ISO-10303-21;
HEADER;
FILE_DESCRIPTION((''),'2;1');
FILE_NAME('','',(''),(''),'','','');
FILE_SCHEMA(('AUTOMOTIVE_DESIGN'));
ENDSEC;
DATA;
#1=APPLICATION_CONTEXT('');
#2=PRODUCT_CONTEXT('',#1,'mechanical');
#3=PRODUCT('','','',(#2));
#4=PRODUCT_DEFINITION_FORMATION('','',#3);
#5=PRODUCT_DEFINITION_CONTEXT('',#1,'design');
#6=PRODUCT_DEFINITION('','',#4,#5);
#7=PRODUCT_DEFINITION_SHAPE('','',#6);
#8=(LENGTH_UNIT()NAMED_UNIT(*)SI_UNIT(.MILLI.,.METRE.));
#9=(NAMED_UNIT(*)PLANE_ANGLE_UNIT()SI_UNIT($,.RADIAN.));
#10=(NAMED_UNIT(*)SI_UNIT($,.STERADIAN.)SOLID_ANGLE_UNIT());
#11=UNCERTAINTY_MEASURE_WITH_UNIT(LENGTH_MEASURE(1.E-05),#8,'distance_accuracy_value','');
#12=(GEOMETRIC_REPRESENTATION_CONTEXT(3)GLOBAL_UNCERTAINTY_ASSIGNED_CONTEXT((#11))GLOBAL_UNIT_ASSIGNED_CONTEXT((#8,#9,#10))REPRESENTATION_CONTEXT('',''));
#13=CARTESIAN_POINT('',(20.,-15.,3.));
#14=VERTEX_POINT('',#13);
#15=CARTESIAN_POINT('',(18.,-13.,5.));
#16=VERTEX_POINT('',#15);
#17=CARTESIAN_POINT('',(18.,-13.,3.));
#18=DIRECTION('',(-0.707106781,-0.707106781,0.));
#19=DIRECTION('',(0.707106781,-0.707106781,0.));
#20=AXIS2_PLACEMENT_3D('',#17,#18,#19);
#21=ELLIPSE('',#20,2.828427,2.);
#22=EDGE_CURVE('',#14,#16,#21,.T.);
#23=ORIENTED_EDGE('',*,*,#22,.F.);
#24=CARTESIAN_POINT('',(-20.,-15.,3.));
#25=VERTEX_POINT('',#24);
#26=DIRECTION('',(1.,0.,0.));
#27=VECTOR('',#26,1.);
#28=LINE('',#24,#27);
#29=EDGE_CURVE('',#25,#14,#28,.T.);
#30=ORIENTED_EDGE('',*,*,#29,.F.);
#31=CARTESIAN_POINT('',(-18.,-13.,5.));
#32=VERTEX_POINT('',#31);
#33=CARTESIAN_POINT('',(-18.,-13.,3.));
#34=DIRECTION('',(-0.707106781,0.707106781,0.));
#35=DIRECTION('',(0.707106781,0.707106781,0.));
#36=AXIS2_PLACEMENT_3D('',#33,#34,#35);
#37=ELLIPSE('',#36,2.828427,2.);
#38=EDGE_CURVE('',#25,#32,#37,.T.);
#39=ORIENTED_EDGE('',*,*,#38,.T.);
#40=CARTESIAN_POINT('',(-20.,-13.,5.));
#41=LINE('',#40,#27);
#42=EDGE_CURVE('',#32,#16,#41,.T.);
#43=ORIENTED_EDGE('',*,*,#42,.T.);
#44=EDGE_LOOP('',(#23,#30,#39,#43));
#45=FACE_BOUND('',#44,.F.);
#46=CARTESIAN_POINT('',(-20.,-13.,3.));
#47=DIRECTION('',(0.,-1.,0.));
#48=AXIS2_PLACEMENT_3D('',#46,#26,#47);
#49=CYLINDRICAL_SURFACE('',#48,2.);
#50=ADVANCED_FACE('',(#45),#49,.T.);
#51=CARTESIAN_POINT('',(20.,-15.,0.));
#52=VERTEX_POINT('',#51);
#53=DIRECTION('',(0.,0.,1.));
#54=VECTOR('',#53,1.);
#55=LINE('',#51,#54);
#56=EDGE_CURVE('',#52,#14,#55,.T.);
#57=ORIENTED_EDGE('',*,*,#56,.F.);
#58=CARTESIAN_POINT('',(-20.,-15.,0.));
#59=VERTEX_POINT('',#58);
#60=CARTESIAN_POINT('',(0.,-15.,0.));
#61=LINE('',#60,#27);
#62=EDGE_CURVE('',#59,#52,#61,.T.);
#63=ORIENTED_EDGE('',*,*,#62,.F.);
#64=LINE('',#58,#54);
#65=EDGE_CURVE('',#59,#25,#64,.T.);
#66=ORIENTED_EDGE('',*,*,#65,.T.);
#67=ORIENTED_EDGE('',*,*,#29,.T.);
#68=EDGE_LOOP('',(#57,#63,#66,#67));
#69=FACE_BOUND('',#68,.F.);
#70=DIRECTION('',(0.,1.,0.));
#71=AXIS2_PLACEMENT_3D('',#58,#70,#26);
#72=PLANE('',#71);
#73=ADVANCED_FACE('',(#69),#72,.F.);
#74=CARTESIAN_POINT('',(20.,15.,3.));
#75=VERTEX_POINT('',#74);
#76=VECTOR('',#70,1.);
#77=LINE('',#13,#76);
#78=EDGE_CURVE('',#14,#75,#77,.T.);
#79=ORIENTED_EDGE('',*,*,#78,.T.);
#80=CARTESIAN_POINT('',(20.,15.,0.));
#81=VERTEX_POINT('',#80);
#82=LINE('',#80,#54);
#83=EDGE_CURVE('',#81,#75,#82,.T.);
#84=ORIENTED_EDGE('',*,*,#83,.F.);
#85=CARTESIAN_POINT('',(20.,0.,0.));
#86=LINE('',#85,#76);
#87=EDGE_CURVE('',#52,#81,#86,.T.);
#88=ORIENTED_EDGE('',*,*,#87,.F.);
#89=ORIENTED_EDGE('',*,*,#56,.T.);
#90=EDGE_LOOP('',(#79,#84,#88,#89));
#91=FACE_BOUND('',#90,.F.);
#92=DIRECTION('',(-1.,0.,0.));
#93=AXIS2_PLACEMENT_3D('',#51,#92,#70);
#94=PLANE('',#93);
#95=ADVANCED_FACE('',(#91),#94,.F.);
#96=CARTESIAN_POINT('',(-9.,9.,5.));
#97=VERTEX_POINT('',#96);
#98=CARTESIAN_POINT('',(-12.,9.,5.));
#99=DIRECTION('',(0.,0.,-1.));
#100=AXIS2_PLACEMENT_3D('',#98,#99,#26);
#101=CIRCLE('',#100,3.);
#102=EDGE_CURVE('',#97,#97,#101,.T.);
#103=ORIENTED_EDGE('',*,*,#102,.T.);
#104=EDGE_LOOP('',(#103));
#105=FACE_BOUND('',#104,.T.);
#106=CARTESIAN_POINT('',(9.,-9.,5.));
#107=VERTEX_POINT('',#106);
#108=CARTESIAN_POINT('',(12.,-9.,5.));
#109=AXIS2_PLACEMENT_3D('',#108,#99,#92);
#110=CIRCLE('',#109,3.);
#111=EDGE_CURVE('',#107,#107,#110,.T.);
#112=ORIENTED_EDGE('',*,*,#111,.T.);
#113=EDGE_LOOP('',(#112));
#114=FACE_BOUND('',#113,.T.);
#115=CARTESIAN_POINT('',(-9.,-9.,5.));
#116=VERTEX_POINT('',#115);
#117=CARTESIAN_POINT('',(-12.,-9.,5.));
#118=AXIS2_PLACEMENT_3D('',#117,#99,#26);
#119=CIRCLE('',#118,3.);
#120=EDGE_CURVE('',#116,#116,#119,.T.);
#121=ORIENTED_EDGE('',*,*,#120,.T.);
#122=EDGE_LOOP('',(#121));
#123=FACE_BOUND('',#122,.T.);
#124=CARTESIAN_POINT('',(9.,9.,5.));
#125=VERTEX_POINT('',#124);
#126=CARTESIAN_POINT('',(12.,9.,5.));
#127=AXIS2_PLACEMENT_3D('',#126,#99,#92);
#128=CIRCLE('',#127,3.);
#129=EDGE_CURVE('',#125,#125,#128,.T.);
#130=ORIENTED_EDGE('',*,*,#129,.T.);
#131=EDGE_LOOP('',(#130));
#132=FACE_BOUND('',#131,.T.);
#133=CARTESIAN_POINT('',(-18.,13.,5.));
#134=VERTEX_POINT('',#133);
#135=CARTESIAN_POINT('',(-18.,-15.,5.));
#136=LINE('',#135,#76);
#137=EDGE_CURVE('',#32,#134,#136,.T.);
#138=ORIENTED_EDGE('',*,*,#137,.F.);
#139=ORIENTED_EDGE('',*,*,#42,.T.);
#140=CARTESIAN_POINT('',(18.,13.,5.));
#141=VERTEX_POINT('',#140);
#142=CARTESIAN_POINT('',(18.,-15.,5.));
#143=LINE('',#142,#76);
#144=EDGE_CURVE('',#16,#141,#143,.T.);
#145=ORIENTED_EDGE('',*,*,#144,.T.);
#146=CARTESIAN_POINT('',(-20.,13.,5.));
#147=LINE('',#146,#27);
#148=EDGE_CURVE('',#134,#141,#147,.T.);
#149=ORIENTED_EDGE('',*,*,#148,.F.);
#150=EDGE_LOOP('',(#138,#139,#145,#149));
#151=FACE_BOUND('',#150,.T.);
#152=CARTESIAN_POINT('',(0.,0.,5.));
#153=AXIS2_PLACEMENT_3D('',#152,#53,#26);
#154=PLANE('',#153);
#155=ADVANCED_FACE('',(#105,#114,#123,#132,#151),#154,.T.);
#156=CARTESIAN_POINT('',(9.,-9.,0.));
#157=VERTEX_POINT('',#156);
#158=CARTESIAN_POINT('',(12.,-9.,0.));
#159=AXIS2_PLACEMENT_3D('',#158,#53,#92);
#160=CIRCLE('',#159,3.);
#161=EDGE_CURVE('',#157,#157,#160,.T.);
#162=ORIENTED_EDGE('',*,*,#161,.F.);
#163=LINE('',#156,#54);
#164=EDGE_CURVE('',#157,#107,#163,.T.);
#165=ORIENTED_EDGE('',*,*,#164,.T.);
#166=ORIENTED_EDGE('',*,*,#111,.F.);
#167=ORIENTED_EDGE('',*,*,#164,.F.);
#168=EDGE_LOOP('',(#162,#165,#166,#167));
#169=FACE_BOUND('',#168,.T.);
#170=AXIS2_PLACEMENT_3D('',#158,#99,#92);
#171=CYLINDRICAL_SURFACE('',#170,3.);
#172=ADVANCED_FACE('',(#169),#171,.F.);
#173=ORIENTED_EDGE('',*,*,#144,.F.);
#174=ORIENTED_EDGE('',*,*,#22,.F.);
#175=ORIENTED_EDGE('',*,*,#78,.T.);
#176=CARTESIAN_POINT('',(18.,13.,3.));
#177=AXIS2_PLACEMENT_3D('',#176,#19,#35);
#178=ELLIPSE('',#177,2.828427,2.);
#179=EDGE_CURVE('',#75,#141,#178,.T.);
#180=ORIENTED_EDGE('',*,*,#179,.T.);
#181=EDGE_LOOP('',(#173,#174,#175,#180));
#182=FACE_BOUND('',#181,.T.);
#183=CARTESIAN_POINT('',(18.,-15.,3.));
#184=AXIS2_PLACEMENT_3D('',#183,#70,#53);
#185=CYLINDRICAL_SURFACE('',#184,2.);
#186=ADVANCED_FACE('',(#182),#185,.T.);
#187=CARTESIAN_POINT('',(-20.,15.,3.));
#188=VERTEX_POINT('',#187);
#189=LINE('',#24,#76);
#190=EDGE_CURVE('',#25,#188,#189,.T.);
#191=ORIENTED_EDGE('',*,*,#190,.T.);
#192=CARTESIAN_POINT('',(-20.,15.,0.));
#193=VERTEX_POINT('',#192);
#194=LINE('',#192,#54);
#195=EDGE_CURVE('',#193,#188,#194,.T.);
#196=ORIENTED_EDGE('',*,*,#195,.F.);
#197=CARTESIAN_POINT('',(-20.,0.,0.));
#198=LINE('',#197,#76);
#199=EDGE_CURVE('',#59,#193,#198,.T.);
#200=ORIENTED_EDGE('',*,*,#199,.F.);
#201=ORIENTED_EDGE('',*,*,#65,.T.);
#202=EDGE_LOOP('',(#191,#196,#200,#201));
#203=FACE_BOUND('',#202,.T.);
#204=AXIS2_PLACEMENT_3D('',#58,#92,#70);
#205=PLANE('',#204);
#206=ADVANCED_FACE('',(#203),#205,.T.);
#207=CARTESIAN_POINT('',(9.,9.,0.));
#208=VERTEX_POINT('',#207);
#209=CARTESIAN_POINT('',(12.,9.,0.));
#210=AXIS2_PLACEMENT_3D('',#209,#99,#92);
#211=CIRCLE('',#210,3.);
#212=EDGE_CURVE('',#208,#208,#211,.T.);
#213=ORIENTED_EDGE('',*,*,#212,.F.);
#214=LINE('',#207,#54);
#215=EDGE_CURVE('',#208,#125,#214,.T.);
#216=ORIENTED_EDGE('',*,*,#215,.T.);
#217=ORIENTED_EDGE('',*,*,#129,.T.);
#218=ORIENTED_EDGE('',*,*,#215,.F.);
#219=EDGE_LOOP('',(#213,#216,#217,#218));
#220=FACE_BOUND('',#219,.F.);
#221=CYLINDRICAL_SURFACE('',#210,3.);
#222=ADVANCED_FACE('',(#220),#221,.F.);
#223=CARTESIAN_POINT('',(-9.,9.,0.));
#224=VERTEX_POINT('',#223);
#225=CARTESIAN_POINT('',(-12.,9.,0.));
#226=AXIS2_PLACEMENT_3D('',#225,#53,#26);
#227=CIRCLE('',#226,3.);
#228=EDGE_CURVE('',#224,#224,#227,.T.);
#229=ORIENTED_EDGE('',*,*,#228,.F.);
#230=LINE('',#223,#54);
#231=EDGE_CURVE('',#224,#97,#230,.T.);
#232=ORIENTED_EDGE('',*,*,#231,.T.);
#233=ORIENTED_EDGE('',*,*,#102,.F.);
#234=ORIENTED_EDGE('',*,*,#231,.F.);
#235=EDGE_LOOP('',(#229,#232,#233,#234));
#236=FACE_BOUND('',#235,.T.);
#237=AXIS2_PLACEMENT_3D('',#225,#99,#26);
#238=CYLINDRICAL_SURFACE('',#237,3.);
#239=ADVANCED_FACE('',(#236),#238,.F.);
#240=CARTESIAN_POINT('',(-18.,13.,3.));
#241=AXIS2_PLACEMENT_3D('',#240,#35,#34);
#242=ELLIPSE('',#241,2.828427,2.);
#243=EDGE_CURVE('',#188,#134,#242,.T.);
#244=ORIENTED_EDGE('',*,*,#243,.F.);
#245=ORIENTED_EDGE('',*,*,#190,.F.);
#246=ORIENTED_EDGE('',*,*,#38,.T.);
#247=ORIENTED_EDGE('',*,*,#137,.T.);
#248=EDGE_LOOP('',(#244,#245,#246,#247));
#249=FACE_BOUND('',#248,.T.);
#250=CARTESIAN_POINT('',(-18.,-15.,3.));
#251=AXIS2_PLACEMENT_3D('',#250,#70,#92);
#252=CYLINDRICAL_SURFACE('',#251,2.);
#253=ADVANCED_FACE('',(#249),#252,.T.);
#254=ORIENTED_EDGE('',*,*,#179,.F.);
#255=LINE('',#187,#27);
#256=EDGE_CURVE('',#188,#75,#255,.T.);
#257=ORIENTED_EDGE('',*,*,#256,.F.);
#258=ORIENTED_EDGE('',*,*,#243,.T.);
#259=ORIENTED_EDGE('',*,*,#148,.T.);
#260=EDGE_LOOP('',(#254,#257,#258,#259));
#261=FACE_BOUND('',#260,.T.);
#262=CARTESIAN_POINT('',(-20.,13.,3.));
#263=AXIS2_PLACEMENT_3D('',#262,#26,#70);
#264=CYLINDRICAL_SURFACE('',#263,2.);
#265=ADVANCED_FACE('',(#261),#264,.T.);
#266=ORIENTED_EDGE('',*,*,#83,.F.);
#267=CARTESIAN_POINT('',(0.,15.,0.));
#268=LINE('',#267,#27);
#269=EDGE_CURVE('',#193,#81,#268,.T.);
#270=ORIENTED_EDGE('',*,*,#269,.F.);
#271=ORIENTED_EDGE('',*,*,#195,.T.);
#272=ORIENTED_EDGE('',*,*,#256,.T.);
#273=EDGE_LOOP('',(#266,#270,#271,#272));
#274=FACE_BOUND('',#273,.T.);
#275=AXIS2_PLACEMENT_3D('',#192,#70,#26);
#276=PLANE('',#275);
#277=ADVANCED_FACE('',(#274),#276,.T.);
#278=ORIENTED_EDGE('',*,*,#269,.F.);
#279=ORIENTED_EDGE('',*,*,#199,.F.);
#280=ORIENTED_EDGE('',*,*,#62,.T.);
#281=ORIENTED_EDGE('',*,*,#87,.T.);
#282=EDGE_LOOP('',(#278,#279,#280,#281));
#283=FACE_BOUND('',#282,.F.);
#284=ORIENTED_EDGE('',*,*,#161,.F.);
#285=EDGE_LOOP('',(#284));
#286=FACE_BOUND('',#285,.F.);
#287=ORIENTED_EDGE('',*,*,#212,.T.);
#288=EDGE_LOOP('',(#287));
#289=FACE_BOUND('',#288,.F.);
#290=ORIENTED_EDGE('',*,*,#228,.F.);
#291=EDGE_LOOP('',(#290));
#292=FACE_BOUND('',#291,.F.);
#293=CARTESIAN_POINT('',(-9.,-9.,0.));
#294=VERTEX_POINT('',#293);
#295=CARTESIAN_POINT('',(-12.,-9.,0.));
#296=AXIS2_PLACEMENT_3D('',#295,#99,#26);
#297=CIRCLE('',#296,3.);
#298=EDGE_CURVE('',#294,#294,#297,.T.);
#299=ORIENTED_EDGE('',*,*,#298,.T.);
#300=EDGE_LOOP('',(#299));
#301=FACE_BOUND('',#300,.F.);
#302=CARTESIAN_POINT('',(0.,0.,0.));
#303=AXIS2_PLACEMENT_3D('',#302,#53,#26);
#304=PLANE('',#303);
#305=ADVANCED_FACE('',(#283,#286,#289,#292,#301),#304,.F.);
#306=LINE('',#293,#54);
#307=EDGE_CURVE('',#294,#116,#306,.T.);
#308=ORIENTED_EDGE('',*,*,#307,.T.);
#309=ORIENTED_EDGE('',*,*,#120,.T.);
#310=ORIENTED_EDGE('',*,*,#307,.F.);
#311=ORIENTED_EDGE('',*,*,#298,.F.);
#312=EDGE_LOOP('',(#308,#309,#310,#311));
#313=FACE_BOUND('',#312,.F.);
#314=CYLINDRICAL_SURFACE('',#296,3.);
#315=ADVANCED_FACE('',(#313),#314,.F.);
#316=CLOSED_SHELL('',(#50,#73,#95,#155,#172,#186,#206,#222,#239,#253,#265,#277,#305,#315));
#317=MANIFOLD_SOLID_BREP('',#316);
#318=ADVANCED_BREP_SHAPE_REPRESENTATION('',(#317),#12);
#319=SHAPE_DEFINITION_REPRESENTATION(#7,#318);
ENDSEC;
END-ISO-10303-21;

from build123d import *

# Parameters (mm, degrees)
F0_R     = 3
F1_DEPTH = 25
F4_W     = 40
F4_H     = 30
F5_DEPTH = 5
F7_R     = 2


with BuildPart() as f1:
    # F0 (on Top) → F1 (new body)
    with BuildSketch(Plane.XY):
        with Locations((-12, 9)):
            Circle(F0_R)
    extrude(amount=F1_DEPTH)


with BuildPart() as f2_1:
    # F2: instance of F1
    add(f1.part.mirror(Plane.YZ))


with BuildPart() as f3_1:
    # F3: instance of F1
    add(f1.part.mirror(Plane.XZ))


with BuildPart() as f3_2:
    # F3: instance of F2_1
    add(f2_1.part.mirror(Plane.XZ))


with BuildPart() as f5:
    # F4 (on Top) → F5 (new body)
    with BuildSketch(Plane.XY):
        Rectangle(F4_W, F4_H)
    extrude(amount=F5_DEPTH)

    # F6: cut F1, F2_1, F3_1, F3_2
    add(f1.part, mode=Mode.SUBTRACT)
    add(f2_1.part, mode=Mode.SUBTRACT)
    add(f3_1.part, mode=Mode.SUBTRACT)
    add(f3_2.part, mode=Mode.SUBTRACT)

    # F7
    f7_edges = [f5.edges().sort_by_distance(p)[0] for p in [
        (0, -15, 5),
        (-20, 0, 5),
        (0, 15, 5),
        (20, 0, 5),
    ]]
    fillet(f7_edges, radius=F7_R)


solid = f5.part
